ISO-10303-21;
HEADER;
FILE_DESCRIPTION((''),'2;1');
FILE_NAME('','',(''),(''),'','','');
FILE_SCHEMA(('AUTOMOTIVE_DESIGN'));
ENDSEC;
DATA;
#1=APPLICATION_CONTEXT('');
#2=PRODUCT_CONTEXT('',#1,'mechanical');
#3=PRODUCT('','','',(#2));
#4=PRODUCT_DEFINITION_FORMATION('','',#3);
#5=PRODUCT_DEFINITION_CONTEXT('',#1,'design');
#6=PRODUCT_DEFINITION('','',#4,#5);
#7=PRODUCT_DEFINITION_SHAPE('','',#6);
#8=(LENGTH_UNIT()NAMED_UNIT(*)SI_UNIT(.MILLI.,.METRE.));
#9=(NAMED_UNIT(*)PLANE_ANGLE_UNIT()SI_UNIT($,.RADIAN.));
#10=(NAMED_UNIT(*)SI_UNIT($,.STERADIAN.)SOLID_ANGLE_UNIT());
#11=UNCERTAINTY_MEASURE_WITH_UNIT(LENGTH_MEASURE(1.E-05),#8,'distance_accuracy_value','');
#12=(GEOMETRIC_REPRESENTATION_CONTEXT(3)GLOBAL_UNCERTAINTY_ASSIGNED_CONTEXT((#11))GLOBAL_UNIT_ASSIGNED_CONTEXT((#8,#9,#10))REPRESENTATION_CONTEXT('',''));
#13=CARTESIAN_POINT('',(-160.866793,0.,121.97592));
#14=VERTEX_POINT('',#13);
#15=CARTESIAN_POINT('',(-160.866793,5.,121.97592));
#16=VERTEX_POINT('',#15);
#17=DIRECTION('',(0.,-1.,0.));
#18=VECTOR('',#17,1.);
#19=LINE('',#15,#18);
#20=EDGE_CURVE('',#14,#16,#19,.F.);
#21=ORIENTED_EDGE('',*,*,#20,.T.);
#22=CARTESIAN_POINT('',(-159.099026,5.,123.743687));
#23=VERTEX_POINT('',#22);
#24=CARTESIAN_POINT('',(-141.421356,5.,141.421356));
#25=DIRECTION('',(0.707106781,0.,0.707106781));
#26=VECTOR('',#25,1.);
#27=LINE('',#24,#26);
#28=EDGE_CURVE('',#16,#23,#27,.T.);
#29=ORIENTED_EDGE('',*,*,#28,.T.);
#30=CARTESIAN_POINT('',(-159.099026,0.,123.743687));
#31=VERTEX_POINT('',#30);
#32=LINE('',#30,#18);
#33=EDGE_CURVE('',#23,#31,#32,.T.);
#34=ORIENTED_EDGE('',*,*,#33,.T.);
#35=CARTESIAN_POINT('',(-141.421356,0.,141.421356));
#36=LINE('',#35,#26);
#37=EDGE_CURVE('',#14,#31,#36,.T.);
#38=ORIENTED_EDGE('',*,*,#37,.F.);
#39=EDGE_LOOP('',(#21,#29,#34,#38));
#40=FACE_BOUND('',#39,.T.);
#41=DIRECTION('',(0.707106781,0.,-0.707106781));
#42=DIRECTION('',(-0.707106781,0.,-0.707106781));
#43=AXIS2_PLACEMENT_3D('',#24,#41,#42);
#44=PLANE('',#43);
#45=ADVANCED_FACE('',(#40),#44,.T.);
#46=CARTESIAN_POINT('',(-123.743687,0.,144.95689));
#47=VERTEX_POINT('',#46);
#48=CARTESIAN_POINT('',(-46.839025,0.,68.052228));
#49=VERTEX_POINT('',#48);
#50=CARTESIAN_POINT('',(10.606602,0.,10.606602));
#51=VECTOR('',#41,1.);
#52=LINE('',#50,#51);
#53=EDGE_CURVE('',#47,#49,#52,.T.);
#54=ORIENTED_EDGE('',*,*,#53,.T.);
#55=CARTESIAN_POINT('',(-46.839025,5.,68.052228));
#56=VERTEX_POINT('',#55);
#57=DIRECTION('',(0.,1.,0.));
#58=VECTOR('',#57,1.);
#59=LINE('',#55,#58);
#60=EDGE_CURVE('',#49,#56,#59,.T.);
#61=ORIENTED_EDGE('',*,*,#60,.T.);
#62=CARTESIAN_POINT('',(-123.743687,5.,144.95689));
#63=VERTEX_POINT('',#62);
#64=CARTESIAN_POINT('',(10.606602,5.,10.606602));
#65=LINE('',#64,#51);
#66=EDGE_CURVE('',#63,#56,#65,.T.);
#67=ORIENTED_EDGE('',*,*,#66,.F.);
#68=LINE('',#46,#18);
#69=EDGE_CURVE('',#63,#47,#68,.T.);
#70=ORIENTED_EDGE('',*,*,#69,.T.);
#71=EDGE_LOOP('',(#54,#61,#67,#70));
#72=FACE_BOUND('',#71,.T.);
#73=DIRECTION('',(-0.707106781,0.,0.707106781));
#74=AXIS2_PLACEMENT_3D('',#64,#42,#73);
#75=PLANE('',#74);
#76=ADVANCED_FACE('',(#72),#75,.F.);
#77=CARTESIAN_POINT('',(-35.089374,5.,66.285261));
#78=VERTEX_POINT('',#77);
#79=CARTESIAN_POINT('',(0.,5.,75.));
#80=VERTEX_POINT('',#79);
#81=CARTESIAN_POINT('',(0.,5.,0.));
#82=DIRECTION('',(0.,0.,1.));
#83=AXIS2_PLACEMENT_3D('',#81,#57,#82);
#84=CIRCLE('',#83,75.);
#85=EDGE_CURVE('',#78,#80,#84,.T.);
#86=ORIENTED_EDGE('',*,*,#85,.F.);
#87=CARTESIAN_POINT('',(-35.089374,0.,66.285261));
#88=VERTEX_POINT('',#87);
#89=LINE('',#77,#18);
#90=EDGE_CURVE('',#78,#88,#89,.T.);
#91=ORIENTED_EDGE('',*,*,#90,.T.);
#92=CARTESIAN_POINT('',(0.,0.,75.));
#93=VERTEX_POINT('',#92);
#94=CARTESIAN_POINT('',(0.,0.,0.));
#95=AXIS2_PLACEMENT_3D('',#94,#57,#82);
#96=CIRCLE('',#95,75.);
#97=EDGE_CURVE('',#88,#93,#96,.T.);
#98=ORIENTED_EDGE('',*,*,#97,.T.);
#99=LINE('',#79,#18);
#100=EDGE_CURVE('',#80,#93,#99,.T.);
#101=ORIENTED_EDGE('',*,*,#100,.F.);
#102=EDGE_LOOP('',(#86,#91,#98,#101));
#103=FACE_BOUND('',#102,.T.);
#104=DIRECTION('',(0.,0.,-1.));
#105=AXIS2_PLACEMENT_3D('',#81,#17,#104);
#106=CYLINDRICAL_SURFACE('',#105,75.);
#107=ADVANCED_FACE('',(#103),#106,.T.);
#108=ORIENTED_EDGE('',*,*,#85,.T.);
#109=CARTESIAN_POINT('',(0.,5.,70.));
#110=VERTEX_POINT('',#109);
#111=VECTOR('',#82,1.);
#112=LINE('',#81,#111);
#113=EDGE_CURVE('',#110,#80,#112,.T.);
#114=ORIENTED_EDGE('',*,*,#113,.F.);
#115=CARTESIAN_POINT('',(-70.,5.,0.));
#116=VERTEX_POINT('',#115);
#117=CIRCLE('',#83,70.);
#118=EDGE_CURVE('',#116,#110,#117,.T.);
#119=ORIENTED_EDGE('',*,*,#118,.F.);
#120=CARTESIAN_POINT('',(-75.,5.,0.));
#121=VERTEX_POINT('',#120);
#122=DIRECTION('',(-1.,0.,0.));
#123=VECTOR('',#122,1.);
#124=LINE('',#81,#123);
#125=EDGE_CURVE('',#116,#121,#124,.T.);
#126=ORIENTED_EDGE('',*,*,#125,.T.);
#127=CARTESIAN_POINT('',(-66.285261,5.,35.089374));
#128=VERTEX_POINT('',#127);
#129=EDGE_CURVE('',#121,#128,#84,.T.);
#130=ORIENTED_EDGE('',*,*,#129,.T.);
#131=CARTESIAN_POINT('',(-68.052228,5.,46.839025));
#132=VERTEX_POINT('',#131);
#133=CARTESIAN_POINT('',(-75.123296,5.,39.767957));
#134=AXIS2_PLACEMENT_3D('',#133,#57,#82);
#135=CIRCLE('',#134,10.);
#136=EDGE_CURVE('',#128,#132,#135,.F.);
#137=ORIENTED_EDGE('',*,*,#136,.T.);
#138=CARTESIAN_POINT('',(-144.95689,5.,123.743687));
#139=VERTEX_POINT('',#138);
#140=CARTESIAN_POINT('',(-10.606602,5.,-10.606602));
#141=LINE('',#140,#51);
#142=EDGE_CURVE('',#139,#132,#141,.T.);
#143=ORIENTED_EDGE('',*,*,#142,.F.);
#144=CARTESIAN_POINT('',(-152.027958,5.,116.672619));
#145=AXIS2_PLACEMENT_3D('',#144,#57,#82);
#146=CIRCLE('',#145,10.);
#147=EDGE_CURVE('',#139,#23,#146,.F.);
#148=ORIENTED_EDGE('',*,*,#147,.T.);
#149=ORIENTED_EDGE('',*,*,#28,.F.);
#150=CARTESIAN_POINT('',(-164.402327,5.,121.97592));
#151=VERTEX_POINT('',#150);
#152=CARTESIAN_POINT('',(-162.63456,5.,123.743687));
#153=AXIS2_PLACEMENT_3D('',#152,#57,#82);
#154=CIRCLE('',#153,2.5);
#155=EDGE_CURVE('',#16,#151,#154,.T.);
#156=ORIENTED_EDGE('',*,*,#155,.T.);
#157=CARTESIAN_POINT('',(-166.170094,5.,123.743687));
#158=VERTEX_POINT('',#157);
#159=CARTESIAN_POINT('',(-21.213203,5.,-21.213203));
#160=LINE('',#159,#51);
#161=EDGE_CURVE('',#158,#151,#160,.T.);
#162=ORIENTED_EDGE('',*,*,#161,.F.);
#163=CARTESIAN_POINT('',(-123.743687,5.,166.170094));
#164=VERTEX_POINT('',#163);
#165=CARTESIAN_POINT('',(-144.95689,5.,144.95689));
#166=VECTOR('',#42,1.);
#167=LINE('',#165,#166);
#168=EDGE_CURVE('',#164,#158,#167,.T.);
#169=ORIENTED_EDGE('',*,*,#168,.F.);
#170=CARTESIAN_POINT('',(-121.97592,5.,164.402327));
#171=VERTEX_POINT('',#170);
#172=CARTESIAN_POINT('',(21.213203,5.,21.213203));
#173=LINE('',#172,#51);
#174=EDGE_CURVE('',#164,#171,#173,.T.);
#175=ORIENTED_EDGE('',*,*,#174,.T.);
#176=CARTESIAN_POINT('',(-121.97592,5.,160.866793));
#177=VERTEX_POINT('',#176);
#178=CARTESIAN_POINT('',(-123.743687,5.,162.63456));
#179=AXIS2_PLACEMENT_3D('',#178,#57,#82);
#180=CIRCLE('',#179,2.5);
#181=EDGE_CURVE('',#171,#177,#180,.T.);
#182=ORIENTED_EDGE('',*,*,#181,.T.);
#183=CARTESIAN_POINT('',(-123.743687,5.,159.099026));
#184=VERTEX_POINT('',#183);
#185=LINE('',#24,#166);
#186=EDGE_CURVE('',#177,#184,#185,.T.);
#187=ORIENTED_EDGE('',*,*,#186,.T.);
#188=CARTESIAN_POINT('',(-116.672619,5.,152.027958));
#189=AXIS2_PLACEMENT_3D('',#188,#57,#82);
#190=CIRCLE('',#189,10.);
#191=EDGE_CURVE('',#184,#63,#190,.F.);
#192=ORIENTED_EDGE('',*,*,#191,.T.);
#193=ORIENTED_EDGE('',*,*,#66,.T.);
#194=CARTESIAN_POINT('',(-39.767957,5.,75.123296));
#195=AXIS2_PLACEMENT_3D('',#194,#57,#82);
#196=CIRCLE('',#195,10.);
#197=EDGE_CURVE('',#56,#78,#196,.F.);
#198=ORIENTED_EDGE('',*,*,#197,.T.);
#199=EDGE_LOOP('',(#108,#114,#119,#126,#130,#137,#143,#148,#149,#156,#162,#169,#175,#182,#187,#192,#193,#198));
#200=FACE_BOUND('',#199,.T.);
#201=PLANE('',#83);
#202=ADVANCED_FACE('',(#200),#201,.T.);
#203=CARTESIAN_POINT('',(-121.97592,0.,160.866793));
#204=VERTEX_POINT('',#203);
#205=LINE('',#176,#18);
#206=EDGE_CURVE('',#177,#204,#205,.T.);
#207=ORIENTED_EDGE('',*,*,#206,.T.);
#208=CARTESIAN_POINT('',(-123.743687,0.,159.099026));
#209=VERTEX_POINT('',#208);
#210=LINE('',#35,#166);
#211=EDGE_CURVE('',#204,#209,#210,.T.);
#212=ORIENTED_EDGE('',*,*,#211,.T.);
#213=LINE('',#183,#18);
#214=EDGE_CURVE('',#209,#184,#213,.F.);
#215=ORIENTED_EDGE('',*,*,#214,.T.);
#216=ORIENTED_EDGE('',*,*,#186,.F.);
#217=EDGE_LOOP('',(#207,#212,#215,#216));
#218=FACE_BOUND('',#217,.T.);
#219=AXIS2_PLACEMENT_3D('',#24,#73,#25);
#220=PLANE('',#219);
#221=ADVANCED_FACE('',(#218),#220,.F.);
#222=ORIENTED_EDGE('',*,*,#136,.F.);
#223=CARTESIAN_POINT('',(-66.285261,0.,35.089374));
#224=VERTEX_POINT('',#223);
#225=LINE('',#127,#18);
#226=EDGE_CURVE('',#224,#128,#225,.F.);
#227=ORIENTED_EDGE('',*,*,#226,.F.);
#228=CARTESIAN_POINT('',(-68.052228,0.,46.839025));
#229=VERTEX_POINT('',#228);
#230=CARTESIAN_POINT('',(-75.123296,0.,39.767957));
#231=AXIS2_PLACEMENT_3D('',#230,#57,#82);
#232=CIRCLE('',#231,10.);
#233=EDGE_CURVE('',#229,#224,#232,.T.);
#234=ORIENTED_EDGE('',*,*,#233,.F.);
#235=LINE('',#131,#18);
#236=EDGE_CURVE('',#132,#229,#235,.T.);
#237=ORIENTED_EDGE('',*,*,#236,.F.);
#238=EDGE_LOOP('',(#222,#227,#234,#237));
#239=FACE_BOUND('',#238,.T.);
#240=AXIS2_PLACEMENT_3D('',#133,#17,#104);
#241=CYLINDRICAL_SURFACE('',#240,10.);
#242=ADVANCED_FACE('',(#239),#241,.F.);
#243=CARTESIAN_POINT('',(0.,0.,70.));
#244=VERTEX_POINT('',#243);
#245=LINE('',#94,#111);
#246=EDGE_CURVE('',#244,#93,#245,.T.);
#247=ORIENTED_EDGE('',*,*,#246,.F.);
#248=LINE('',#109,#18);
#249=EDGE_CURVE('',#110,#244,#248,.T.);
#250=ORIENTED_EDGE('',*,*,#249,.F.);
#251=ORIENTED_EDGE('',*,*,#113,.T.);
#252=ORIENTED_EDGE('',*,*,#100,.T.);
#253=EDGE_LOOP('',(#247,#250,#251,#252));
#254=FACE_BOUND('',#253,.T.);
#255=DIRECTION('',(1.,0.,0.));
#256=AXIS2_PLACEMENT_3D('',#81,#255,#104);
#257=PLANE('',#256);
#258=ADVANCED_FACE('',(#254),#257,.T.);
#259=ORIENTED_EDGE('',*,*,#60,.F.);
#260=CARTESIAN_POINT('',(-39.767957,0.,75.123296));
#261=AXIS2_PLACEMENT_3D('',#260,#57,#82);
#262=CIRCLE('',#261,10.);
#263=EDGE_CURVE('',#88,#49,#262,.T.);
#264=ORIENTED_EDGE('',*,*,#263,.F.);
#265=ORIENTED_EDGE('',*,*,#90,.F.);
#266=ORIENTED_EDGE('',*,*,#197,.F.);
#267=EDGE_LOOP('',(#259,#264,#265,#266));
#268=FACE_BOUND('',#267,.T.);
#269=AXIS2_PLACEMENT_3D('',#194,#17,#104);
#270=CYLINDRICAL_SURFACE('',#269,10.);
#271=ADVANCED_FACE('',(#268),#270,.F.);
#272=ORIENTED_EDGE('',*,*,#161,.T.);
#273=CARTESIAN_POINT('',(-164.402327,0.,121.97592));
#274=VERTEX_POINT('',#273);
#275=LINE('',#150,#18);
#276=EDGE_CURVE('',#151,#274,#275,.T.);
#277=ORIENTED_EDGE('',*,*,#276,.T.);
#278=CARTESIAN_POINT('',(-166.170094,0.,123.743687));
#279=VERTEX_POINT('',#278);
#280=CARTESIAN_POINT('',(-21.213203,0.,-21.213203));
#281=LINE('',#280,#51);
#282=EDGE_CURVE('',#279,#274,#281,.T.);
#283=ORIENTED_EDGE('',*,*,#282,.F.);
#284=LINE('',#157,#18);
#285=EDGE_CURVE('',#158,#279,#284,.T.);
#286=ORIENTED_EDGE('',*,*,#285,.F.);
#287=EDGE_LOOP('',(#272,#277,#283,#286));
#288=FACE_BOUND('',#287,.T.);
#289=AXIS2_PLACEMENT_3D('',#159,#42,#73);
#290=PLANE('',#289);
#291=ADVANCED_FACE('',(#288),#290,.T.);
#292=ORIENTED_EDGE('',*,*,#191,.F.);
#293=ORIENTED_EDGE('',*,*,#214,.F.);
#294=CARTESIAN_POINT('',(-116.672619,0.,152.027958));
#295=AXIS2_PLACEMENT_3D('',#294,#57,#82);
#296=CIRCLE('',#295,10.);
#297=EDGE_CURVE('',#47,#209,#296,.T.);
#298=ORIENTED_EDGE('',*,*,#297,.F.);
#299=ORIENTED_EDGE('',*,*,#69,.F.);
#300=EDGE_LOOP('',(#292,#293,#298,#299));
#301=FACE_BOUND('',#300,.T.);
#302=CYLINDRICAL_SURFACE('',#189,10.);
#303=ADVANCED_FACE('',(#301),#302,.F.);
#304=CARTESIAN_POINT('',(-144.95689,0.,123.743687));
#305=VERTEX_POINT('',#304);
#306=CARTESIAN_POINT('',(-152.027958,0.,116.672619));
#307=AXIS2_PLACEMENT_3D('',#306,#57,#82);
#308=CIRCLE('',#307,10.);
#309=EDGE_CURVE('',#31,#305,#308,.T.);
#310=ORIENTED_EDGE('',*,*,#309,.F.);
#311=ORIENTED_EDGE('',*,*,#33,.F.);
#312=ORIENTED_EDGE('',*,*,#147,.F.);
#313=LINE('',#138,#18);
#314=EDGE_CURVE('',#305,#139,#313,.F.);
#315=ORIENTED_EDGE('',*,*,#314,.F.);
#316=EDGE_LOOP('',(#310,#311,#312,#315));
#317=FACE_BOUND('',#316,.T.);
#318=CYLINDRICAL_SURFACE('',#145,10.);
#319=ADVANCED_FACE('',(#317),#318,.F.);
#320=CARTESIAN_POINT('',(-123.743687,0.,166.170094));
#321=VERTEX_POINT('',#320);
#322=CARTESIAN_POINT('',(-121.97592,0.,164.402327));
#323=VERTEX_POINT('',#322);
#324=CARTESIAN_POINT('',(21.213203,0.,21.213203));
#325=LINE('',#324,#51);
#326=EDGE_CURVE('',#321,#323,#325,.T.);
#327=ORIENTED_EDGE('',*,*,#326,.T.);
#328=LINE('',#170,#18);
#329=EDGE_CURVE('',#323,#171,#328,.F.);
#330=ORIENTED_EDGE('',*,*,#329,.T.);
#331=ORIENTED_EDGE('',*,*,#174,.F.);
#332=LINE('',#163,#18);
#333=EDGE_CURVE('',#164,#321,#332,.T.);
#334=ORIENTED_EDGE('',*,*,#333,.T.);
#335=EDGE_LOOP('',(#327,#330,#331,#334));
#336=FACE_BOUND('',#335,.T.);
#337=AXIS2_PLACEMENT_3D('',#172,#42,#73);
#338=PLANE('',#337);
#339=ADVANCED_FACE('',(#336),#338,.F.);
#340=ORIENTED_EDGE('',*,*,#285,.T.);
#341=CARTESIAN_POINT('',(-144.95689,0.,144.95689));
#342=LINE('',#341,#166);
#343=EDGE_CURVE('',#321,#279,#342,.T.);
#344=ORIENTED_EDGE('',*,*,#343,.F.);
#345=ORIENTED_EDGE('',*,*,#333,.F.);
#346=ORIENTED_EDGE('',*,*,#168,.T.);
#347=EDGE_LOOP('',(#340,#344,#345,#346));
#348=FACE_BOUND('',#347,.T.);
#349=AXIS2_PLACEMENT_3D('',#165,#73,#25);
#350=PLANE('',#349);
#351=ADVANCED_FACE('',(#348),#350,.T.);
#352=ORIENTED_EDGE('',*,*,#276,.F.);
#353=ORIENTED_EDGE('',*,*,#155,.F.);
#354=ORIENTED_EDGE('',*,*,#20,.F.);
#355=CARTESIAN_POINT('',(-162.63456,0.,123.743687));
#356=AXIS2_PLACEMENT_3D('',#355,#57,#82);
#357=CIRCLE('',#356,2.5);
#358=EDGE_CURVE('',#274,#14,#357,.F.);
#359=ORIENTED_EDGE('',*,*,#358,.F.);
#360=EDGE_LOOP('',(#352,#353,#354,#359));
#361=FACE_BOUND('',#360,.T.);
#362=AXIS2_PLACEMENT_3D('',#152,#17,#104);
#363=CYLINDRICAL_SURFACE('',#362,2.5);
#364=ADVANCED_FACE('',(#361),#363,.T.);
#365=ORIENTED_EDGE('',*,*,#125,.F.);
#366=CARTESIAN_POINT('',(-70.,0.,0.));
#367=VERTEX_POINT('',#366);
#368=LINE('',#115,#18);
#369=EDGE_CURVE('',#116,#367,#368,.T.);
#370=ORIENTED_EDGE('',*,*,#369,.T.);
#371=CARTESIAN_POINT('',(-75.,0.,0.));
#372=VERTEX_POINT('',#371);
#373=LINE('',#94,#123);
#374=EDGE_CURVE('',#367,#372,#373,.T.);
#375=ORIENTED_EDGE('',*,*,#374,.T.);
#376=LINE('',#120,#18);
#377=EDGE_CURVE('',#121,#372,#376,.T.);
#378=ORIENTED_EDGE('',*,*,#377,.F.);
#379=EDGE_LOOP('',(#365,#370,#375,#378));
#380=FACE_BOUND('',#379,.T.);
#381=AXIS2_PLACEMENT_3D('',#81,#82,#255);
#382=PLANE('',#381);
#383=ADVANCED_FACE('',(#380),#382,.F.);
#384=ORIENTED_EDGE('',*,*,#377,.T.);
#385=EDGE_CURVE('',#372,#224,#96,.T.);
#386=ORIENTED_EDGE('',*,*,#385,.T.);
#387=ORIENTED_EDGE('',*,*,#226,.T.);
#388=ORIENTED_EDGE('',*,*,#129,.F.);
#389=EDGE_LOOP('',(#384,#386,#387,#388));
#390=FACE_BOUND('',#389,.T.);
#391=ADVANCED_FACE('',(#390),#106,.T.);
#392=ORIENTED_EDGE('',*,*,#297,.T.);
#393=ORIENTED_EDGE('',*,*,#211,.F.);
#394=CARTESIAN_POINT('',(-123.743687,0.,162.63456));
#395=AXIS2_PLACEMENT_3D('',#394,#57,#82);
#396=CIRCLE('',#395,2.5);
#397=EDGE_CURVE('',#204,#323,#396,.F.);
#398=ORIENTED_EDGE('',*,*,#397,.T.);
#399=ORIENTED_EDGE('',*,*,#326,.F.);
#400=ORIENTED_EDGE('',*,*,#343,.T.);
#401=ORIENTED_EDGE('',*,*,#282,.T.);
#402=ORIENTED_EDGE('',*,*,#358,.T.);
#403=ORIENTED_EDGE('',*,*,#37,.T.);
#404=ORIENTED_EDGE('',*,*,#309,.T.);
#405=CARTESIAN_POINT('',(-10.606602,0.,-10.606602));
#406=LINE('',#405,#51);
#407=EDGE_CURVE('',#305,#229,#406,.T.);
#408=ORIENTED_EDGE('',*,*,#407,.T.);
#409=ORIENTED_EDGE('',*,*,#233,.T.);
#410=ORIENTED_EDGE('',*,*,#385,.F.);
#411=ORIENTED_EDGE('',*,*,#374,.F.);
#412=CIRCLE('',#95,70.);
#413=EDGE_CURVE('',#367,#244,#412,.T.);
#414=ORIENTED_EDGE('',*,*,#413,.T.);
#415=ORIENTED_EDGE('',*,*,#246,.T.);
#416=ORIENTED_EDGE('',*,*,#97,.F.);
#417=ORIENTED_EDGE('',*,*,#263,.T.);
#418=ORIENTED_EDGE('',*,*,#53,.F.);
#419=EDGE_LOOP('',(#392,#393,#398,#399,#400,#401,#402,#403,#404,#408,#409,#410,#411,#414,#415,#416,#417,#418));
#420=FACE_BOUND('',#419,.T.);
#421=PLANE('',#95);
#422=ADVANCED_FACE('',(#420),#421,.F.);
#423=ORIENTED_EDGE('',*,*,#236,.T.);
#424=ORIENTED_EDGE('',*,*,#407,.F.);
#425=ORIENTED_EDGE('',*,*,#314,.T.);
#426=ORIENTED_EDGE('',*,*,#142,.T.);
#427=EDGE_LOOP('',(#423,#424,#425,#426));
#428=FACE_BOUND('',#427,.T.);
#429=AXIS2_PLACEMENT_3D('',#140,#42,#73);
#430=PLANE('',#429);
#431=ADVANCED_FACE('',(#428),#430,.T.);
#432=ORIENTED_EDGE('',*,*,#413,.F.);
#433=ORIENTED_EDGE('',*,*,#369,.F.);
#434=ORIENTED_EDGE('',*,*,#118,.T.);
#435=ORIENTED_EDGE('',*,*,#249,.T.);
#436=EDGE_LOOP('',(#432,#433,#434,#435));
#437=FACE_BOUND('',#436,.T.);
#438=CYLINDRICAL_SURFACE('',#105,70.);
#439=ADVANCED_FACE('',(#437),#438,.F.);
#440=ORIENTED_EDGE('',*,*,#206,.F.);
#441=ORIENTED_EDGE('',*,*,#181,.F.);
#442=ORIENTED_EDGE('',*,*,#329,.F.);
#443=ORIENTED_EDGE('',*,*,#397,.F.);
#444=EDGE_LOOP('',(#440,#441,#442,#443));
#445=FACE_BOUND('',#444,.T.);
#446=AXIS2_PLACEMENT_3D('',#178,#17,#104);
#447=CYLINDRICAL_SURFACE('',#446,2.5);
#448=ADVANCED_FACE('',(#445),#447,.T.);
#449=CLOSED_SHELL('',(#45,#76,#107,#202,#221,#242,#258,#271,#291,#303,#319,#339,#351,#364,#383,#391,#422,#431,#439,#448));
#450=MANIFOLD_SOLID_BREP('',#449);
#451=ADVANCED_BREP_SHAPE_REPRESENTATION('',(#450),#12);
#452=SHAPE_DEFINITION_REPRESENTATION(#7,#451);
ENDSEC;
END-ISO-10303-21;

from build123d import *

# Parameters (mm, degrees)
BOSS_EXTRUDE1_DEPTH = 5
FILLET1_R           = 10
FILLET2_R           = 2.5


with BuildPart() as part:
    # Sketch2 → Boss-Extrude1 (new body)
    with BuildSketch(Plane(origin=(0, 0, 0), x_dir=(1, 0, 0), z_dir=(0, 1, 0))):
        with BuildLine():
            Line((-70, 0), (-75, 0))
            ThreePointArc((-75, 0), (-53.033008589, -53.033008589), (0, -75))
            Line((0, -75), (0, -70))
            ThreePointArc((0, -70), (-49.497474683, -49.497474683), (-70, 0))
        make_face()
        with BuildLine():
            ThreePointArc((-41.354922509, -62.568125945), (-53.033008589, -53.033008589), (-62.568125945, -41.354922509))
            Line((-62.568125945, -41.354922509), (-152.027957955, -130.81475452))
            Line((-152.027957955, -130.81475452), (-162.634559673, -120.208152802))
            Line((-162.634559673, -120.208152802), (-166.170093579, -123.743686708))
            Line((-166.170093579, -123.743686708), (-144.956890143, -144.956890143))
            Line((-144.956890143, -144.956890143), (-123.743686708, -166.170093579))
            Line((-123.743686708, -166.170093579), (-120.208152802, -162.634559673))
            Line((-120.208152802, -162.634559673), (-130.81475452, -152.027957955))
            Line((-130.81475452, -152.027957955), (-41.354922509, -62.568125945))
        make_face()
    extrude(amount=BOSS_EXTRUDE1_DEPTH)

    # Fillet1
    fillet1_edges = [part.edges().sort_by_distance(p)[0] for p in [
        (-41.354922509, 2.5, 62.568125945),
        (-130.81475452, 2.5, 152.027957955),
        (-152.027957955, 2.5, 130.81475452),
        (-62.568125945, 2.5, 41.354922509),
    ]]
    fillet(fillet1_edges, radius=FILLET1_R)

    # Fillet2
    fillet2_edges = [part.edges().sort_by_distance(p)[0] for p in [
        (-120.208152802, 2.5, 162.634559673),
        (-162.634559673, 2.5, 120.208152802),
    ]]
    fillet(fillet2_edges, radius=FILLET2_R)


solid = part.part
